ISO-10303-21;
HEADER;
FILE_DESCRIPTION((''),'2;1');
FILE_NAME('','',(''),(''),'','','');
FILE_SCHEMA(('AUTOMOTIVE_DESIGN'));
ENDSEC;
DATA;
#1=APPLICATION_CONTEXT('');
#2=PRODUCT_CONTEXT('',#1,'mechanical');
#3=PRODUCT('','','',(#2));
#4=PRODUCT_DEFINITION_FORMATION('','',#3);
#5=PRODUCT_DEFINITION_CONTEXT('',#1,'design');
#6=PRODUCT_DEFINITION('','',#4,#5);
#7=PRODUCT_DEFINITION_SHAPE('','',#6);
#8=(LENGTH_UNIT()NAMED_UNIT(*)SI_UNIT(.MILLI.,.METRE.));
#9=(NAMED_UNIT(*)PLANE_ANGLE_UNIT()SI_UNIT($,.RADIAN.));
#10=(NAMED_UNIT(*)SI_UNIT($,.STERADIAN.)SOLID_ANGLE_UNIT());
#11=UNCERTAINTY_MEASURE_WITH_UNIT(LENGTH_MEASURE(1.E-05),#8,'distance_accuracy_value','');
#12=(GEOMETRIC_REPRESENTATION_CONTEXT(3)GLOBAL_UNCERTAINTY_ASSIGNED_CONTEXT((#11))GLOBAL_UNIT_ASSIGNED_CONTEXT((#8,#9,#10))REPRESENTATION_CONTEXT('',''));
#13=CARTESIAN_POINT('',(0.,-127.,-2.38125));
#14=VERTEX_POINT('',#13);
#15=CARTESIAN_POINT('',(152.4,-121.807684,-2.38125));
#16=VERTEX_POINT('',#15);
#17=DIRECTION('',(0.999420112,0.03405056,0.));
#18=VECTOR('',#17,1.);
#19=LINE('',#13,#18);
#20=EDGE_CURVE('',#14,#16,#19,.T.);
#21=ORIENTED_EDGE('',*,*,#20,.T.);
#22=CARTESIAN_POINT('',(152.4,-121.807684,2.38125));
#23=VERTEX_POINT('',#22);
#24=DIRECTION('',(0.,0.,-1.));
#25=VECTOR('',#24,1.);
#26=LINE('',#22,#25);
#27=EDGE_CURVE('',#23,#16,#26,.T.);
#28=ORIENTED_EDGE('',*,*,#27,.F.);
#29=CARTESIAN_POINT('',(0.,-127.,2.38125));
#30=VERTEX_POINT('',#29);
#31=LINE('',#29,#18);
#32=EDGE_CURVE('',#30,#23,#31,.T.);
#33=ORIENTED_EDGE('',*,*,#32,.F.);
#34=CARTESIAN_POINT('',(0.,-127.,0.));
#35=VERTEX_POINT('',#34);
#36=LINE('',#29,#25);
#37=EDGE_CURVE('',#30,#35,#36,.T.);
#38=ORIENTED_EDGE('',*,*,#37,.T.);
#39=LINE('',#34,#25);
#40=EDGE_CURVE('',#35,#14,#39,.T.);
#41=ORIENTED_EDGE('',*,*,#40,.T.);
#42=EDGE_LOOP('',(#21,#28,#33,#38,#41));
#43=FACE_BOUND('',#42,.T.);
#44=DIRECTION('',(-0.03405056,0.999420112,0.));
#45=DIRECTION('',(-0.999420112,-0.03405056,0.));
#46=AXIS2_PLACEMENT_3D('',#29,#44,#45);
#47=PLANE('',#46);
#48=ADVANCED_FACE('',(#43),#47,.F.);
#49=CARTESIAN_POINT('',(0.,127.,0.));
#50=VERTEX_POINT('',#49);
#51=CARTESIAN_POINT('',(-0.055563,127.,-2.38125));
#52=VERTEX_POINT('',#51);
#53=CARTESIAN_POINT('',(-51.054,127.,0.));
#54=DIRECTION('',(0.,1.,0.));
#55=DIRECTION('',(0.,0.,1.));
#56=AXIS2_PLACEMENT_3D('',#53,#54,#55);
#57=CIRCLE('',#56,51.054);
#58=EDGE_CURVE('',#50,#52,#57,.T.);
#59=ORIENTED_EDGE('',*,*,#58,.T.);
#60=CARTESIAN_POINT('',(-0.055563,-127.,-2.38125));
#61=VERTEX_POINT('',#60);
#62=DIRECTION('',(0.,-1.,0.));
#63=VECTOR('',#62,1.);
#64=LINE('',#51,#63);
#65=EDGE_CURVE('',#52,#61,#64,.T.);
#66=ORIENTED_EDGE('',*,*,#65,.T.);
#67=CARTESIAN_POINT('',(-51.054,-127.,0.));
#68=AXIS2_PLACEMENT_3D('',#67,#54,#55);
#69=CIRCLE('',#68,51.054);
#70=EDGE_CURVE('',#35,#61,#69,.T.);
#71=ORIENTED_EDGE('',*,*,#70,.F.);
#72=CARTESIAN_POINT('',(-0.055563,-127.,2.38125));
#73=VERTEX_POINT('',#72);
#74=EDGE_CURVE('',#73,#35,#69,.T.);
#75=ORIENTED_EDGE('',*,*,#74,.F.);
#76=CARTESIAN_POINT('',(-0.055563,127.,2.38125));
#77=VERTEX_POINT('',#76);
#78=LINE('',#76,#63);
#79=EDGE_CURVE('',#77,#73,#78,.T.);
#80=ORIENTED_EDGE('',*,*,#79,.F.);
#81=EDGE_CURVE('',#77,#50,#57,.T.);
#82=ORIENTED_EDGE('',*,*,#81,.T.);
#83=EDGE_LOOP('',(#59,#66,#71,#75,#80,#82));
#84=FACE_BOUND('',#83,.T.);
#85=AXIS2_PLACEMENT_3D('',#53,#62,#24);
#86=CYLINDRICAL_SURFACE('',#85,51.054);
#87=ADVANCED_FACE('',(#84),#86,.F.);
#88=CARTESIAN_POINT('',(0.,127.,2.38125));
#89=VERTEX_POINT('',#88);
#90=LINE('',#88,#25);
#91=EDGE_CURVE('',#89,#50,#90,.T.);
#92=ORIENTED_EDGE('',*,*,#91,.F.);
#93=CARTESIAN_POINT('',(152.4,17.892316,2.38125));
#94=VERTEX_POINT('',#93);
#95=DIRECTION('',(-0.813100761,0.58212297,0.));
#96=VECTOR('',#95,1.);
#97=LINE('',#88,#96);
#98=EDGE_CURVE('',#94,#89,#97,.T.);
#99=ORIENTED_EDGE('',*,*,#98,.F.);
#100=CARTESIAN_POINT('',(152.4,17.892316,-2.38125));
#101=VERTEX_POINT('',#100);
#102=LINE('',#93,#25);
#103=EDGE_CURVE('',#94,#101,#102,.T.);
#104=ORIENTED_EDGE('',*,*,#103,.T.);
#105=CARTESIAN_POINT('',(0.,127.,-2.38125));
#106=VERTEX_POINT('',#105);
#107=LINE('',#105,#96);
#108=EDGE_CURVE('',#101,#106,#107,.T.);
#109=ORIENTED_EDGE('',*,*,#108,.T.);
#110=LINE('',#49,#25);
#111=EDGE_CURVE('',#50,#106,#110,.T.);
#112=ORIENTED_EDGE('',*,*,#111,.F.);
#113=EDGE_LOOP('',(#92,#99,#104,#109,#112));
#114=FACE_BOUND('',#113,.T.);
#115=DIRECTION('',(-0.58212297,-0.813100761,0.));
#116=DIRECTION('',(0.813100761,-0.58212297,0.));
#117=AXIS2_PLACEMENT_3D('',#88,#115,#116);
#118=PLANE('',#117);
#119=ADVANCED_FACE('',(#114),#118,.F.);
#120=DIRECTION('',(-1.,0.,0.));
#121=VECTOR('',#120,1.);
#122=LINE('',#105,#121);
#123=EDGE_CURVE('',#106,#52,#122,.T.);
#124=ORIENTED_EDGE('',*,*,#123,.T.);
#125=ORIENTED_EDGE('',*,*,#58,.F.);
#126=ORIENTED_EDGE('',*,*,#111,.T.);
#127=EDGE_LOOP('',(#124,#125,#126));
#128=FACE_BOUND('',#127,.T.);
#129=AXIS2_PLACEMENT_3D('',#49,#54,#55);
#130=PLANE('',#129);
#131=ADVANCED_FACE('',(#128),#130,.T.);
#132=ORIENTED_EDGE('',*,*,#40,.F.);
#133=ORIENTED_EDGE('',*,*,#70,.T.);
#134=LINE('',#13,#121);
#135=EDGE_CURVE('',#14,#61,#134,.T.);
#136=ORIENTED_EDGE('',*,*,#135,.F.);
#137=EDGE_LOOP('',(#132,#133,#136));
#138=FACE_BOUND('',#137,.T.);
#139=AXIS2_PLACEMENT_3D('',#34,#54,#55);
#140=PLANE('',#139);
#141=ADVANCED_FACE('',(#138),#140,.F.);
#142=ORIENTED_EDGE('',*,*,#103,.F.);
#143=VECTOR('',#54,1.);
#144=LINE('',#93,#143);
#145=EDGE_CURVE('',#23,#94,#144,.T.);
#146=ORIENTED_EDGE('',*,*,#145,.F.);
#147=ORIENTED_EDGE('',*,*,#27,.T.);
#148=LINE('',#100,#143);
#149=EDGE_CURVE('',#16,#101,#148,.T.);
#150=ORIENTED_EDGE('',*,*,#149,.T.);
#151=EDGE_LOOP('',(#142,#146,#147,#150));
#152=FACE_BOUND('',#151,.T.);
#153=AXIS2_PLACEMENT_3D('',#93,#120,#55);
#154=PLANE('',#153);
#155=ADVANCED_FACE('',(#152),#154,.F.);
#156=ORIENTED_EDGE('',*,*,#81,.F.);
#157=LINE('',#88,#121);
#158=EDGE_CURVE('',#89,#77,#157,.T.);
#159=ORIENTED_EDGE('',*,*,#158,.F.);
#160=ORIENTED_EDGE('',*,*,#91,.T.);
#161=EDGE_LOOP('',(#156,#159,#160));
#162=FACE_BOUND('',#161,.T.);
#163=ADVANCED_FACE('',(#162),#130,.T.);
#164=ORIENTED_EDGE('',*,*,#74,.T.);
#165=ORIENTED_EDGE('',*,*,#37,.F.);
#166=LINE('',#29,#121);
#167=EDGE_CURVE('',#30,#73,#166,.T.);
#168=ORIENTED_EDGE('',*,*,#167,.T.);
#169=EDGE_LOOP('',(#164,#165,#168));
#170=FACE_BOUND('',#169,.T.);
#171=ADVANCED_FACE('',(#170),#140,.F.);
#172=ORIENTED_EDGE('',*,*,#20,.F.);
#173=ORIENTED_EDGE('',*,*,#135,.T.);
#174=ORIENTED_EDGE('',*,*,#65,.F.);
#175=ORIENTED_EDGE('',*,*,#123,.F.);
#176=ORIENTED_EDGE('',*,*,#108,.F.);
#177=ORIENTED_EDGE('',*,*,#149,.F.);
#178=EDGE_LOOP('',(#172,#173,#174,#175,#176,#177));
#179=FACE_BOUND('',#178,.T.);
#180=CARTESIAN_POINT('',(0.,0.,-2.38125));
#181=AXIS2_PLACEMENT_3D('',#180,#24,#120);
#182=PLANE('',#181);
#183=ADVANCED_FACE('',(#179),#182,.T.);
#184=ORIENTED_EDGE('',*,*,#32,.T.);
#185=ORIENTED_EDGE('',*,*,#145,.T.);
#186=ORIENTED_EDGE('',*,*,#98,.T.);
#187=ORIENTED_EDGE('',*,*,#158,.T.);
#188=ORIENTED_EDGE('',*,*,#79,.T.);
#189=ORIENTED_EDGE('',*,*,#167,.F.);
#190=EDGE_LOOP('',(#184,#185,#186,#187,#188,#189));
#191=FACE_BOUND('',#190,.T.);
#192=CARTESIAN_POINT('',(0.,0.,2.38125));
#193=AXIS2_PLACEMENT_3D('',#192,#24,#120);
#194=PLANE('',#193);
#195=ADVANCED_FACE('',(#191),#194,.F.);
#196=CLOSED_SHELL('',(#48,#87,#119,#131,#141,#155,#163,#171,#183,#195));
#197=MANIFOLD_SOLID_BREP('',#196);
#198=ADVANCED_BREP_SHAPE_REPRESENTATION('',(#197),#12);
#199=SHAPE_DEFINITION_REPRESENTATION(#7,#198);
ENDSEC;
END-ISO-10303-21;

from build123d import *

# Parameters (mm, degrees)
BOSS_EXTRUDE1_DEPTH      = 2.38125
BOSS_EXTRUDE2_DEPTH      = 27
BOSS_EXTRUDE2_DEPTH_BACK = 227


with BuildPart() as part:
    # Sketch1 → Boss-Extrude1 (new, symmetric)
    with BuildSketch(Plane.XY):
        Polygon((0, -127), (0, 127), (152.4, 17.892316301), (152.4, -121.807683699), align=None)
    extrude(amount=BOSS_EXTRUDE1_DEPTH, both=True)

    # Sketch4 → Boss-Extrude2 (add, two sides: drawn at the far end of the back side and taken through both)
    with BuildSketch(Plane(origin=(0, 100, 0), x_dir=(1, 0, 0), z_dir=(0, 1, 0)).offset(-BOSS_EXTRUDE2_DEPTH_BACK)):
        with BuildLine():
            Line((0, -2.38125), (0, 0))
            ThreePointArc((0, 0), (-0.01389267, -1.190949078), (-0.055563118, -2.38125))
            Line((-0.055563118, -2.38125), (0, -2.38125))
        make_face()
        with BuildLine():
            Line((0, 0), (0, 2.38125))
            Line((0, 2.38125), (-0.055563118, 2.38125))
            ThreePointArc((-0.055563118, 2.38125), (-0.01389267, 1.190949078), (0, 0))
        make_face()
    extrude(amount=BOSS_EXTRUDE2_DEPTH + BOSS_EXTRUDE2_DEPTH_BACK)


solid = part.part
